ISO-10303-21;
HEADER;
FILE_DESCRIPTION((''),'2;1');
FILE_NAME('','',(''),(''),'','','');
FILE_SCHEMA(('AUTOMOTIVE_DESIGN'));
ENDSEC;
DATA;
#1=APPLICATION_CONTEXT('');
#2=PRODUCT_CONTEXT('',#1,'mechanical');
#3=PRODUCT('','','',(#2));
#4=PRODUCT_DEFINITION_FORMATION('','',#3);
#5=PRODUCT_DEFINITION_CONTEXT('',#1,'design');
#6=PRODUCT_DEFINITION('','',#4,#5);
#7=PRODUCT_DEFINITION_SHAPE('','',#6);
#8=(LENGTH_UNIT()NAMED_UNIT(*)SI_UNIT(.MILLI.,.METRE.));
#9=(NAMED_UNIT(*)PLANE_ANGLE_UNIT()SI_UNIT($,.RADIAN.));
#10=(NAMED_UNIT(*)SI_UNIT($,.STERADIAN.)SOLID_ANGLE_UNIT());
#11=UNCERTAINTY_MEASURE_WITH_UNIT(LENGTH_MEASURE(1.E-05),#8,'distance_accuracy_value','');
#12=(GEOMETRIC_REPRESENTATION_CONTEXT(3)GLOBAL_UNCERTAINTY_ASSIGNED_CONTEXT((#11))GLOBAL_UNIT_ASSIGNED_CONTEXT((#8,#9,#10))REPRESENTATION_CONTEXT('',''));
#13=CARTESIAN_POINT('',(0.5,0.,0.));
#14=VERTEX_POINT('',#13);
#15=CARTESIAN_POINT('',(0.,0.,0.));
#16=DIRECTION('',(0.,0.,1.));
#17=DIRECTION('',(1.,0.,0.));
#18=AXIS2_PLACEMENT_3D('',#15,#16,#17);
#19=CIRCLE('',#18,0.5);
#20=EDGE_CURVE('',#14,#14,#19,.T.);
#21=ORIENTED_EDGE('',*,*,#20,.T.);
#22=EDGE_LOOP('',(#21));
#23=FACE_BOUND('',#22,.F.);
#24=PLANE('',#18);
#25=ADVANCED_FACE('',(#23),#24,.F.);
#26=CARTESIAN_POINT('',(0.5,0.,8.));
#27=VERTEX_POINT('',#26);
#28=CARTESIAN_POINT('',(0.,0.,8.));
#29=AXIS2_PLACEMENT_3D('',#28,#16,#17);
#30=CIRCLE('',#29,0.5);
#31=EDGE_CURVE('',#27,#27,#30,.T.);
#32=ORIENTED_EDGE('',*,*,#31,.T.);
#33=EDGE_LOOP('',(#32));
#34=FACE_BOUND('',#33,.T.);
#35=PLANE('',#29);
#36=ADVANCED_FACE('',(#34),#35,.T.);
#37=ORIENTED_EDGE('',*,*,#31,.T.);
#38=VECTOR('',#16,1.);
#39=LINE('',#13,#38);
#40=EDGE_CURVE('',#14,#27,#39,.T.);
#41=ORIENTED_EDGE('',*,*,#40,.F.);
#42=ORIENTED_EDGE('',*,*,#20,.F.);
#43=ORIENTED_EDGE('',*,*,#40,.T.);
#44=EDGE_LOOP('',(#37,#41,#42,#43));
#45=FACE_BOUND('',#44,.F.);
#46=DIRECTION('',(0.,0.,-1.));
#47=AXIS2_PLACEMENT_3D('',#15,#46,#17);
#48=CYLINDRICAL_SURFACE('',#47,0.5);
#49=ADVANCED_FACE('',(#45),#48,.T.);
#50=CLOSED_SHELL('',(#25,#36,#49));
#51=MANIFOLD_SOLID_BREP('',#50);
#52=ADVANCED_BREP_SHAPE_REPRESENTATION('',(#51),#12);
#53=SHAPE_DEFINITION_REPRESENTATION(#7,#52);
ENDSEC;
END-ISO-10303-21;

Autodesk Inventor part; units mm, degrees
ref_plane "YZ Plane" through (0, 0, 0) normal (1, 0, 0) x (0, 1, 0)
ref_plane "XZ Plane" through (0, 0, 0) normal (0, 1, 0) x (-1, 0, 0)
ref_plane "XY Plane" through (0, 0, 0) normal (0, 0, 1) x (1, 0, 0)
sketch "Sketch1" plane through (0, 0, 0) normal (0, 0, 1) x (1, 0, 0)
  circle A0 centre (0, 0) radius 0.5
  dimension "d0" = 1
extrude "Extrusion1" add sketch "Sketch1" along normal blind 8
properties part number "ApexSeal_oring_2mm"
